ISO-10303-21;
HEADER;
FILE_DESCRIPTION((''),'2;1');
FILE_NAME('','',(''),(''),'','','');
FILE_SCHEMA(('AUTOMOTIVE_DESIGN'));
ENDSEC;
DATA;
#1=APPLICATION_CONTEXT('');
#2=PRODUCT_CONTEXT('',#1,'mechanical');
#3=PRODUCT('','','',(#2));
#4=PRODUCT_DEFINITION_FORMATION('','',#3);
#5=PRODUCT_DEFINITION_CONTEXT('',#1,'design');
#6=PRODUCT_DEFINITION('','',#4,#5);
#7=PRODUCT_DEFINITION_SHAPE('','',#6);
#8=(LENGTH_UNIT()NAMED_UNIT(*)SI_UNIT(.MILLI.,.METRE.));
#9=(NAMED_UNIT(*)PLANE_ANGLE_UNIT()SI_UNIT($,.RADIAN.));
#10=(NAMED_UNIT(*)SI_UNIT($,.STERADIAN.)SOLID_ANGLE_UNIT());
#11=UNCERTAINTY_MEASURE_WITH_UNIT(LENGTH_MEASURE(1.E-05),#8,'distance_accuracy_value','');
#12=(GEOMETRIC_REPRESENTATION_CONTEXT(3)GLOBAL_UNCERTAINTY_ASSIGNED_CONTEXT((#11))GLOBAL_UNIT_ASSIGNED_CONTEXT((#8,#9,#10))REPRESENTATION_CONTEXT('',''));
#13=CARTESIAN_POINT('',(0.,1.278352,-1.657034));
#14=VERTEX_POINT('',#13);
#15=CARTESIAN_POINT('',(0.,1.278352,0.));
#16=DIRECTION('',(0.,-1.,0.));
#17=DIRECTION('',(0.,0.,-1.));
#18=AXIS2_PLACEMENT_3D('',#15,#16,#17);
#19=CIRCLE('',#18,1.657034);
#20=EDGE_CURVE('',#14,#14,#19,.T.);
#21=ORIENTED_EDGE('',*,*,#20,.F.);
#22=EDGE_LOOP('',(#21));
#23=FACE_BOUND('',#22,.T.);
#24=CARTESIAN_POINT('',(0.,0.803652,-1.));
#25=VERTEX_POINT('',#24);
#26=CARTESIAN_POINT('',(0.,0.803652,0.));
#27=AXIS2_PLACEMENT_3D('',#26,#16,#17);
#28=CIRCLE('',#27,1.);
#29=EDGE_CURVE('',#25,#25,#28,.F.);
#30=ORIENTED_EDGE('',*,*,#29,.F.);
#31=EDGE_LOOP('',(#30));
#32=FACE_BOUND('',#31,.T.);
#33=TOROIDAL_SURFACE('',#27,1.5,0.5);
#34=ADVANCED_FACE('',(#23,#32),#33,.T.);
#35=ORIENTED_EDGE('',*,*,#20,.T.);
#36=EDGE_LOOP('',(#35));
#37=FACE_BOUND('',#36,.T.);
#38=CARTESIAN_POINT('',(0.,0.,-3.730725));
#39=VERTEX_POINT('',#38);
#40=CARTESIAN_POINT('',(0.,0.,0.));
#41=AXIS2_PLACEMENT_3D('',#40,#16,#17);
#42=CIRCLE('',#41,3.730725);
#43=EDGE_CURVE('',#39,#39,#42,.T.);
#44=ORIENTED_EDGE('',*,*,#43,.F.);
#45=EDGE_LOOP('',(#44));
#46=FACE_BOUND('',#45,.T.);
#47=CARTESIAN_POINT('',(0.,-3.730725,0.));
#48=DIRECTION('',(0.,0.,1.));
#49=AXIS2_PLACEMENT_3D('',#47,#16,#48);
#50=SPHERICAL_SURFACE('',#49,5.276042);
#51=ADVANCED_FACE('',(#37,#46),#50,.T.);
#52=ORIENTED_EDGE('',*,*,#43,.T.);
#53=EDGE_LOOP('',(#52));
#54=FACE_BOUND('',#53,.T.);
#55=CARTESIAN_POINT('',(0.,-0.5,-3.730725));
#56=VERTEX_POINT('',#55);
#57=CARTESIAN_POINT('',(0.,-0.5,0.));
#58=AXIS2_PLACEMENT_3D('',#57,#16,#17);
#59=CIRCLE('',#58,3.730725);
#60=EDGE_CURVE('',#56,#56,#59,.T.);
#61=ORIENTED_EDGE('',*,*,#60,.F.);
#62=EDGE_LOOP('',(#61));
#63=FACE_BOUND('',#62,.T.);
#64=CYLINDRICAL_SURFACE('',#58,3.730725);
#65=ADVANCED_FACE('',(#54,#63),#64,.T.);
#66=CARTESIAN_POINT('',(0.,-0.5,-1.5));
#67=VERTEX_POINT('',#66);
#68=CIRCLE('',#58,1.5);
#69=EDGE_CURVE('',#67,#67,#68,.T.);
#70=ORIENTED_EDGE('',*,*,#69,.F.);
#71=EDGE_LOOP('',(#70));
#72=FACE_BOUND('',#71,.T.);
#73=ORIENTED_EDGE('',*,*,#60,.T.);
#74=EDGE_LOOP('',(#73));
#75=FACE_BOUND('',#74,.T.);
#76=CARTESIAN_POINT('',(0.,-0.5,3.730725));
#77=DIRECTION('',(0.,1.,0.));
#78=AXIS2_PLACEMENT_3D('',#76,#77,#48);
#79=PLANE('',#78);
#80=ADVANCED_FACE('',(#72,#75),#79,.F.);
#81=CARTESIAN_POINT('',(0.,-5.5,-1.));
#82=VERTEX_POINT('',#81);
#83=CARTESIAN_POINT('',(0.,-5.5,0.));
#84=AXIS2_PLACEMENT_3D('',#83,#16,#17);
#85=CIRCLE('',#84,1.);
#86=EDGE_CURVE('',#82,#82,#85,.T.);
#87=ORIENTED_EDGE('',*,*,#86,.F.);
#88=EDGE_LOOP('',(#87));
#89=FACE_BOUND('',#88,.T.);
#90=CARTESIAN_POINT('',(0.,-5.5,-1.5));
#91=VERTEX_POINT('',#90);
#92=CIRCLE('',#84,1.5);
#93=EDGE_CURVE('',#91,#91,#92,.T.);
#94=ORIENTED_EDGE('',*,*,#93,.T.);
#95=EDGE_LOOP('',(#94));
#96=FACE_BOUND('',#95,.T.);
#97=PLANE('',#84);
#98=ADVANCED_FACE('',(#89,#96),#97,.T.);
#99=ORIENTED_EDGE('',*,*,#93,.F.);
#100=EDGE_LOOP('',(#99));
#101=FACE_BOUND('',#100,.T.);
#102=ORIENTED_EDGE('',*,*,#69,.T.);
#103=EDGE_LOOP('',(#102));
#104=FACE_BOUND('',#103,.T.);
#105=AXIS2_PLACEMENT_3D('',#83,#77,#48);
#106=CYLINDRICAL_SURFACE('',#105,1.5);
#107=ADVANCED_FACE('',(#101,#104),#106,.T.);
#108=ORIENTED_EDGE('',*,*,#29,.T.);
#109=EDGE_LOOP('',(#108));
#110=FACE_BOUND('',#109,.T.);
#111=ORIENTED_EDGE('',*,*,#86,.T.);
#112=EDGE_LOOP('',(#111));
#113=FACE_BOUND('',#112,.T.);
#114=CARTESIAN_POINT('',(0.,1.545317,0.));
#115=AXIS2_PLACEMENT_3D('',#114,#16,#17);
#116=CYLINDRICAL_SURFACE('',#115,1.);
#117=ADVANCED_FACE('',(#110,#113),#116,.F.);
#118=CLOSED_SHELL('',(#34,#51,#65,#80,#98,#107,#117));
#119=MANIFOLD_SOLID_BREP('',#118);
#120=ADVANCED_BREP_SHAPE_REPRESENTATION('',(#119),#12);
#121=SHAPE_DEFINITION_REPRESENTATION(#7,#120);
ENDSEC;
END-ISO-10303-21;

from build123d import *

# Parameters (mm, degrees)
SKETCH3_R           = 1.5
BOSS_EXTRUDE1_DEPTH = 5
SKETCH4_R           = 1
CUT_EXTRUDE1_DEPTH  = 8.04531685
FILLET1_R           = 0.5


with BuildPart() as part:
    # Sketch2 → Revolve2 (revolve)
    with BuildSketch(Plane(origin=(0, 0, 0), x_dir=(0, 0, -1), z_dir=(1, 0, 0))):
        with BuildLine():
            Line((0, 1.54531685), (0, 0))
            Line((0, 0), (0, -0.5))
            Line((0, -0.5), (-3.730724896, -0.5))
            Line((-3.730724896, -0.5), (-3.730724896, 0))
            ThreePointArc((-3.730724896, 0), (-2.019053765, 1.143702085), (0, 1.54531685))
        make_face()
    revolve(axis=Axis((0, -0.5, 0), (0, 1, 0)))

    # Sketch3 → Boss-Extrude1 (add)
    with BuildSketch(Plane.XZ.offset(0.5)):
        Circle(SKETCH3_R)
    extrude(amount=BOSS_EXTRUDE1_DEPTH)

    # Sketch4 → Cut-Extrude1 (cut, through all)
    with BuildSketch(Plane.XZ.offset(5.5)):
        Circle(SKETCH4_R)
    extrude(amount=-CUT_EXTRUDE1_DEPTH, mode=Mode.SUBTRACT)

    # Fillet1
    fillet1_edges = [part.edges().sort_by_distance(p)[0] for p in [
        (-0.707106781, 1.449682086, -0.707106781),
    ]]
    fillet(fillet1_edges, radius=FILLET1_R)


solid = part.part
